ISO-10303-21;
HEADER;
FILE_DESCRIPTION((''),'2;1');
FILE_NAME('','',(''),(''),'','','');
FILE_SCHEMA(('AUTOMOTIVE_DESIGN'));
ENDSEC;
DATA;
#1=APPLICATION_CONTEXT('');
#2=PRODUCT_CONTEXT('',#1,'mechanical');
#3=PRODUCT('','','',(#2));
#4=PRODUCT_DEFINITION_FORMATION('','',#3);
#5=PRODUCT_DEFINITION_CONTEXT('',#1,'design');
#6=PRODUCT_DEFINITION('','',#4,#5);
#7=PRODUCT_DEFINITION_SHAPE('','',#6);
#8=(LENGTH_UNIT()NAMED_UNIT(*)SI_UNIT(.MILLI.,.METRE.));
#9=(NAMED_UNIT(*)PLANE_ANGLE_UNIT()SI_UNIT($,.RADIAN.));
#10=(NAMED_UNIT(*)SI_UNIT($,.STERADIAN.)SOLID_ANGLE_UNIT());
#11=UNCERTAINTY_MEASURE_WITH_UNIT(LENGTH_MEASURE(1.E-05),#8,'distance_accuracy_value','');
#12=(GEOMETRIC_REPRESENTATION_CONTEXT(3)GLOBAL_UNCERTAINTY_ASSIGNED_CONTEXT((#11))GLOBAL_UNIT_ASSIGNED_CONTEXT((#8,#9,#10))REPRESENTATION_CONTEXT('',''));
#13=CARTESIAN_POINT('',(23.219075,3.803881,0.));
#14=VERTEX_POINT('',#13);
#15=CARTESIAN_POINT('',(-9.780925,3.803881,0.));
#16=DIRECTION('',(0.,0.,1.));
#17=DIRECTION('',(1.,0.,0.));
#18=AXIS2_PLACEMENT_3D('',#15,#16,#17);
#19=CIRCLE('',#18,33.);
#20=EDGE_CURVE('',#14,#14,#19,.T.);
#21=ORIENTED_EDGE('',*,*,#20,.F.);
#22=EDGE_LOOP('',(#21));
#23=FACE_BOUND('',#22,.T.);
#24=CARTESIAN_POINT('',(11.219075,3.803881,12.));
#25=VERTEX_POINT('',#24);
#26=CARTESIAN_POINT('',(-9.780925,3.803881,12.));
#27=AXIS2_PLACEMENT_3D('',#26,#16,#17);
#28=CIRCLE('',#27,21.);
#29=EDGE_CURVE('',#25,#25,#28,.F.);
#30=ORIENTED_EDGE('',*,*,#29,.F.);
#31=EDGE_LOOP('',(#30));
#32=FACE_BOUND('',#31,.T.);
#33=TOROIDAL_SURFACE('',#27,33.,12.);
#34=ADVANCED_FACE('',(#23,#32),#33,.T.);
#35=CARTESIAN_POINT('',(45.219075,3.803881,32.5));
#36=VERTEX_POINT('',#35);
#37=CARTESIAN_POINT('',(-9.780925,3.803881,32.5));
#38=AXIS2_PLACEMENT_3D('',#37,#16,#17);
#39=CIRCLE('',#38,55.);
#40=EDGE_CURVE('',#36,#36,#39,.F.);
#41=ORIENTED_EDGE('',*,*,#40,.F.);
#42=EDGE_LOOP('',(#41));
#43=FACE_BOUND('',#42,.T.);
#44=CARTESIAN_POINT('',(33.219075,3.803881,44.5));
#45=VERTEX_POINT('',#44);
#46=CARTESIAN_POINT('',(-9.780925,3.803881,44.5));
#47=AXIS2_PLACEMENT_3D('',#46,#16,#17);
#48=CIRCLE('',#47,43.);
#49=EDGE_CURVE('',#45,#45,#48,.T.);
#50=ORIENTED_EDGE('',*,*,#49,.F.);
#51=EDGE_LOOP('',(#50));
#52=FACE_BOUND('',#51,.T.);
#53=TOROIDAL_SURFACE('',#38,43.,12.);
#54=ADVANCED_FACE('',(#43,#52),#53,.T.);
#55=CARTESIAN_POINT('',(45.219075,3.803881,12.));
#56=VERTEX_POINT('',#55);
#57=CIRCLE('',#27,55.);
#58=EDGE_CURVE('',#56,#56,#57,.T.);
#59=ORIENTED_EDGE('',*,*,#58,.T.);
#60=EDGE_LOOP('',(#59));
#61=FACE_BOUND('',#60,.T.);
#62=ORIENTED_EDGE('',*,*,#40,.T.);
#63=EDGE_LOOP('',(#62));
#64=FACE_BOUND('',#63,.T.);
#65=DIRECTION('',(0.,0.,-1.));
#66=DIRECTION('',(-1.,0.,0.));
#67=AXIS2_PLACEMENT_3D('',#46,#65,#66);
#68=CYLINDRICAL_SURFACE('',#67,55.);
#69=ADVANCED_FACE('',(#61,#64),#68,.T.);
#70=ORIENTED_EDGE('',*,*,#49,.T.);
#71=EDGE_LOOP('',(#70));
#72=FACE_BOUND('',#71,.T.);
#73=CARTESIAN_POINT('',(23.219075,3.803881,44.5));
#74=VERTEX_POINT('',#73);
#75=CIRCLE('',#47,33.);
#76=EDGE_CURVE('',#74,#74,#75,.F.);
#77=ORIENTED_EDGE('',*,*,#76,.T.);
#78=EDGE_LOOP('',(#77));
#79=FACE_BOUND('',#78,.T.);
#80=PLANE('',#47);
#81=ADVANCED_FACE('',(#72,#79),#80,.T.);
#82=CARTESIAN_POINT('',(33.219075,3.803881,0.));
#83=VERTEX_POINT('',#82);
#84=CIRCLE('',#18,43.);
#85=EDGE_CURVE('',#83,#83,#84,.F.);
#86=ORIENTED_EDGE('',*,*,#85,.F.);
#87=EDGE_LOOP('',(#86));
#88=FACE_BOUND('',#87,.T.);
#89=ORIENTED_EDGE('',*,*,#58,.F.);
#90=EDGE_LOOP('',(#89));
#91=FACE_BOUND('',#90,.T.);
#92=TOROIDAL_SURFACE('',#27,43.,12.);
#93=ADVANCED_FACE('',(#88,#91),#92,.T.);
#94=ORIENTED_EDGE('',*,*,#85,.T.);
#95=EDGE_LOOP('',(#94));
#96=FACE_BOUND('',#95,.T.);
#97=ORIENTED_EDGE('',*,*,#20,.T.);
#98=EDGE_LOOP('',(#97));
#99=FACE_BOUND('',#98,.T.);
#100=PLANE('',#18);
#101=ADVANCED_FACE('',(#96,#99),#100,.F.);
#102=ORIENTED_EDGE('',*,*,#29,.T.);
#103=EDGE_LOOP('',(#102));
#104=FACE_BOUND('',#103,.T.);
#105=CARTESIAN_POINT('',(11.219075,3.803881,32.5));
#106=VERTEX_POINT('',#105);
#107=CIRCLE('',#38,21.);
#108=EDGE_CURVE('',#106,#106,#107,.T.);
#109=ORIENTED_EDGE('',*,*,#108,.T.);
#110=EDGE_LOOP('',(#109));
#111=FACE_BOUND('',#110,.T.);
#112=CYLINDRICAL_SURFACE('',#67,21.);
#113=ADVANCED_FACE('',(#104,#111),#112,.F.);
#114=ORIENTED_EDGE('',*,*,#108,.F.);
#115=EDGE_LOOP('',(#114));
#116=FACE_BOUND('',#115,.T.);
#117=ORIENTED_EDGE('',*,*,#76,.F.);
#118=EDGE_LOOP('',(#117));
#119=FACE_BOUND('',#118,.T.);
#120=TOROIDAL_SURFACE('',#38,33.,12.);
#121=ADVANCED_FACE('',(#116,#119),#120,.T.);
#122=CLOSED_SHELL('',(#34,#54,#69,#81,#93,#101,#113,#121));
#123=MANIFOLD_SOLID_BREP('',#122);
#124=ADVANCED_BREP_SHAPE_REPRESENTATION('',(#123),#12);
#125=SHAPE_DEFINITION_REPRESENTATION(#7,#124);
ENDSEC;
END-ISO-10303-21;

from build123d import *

# Parameters (mm, degrees)
SKETCH2_R           = 55
SKETCH2_R_2         = 21
BOSS_EXTRUDE1_DEPTH = 44.5
FILLET1_R           = 12


with BuildPart() as part:
    # Sketch2 → Boss-Extrude1 (new body)
    with BuildSketch(Plane.XY):
        with Locations((-9.780925239, 3.803880586)):
            Circle(SKETCH2_R)
        with Locations((-9.780925239, 3.803880586)):
            Circle(SKETCH2_R_2, mode=Mode.SUBTRACT)
    extrude(amount=BOSS_EXTRUDE1_DEPTH)

    # Fillet1
    fillet1_edges = [part.edges().sort_by_distance(p)[0] for p in [
        (-64.780925239, 3.803880586, 0),
        (-64.780925239, 3.803880586, 44.5),
        (-30.780925239, 3.803880586, 0),
        (-30.780925239, 3.803880586, 44.5),
    ]]
    fillet(fillet1_edges, radius=FILLET1_R)


solid = part.part
